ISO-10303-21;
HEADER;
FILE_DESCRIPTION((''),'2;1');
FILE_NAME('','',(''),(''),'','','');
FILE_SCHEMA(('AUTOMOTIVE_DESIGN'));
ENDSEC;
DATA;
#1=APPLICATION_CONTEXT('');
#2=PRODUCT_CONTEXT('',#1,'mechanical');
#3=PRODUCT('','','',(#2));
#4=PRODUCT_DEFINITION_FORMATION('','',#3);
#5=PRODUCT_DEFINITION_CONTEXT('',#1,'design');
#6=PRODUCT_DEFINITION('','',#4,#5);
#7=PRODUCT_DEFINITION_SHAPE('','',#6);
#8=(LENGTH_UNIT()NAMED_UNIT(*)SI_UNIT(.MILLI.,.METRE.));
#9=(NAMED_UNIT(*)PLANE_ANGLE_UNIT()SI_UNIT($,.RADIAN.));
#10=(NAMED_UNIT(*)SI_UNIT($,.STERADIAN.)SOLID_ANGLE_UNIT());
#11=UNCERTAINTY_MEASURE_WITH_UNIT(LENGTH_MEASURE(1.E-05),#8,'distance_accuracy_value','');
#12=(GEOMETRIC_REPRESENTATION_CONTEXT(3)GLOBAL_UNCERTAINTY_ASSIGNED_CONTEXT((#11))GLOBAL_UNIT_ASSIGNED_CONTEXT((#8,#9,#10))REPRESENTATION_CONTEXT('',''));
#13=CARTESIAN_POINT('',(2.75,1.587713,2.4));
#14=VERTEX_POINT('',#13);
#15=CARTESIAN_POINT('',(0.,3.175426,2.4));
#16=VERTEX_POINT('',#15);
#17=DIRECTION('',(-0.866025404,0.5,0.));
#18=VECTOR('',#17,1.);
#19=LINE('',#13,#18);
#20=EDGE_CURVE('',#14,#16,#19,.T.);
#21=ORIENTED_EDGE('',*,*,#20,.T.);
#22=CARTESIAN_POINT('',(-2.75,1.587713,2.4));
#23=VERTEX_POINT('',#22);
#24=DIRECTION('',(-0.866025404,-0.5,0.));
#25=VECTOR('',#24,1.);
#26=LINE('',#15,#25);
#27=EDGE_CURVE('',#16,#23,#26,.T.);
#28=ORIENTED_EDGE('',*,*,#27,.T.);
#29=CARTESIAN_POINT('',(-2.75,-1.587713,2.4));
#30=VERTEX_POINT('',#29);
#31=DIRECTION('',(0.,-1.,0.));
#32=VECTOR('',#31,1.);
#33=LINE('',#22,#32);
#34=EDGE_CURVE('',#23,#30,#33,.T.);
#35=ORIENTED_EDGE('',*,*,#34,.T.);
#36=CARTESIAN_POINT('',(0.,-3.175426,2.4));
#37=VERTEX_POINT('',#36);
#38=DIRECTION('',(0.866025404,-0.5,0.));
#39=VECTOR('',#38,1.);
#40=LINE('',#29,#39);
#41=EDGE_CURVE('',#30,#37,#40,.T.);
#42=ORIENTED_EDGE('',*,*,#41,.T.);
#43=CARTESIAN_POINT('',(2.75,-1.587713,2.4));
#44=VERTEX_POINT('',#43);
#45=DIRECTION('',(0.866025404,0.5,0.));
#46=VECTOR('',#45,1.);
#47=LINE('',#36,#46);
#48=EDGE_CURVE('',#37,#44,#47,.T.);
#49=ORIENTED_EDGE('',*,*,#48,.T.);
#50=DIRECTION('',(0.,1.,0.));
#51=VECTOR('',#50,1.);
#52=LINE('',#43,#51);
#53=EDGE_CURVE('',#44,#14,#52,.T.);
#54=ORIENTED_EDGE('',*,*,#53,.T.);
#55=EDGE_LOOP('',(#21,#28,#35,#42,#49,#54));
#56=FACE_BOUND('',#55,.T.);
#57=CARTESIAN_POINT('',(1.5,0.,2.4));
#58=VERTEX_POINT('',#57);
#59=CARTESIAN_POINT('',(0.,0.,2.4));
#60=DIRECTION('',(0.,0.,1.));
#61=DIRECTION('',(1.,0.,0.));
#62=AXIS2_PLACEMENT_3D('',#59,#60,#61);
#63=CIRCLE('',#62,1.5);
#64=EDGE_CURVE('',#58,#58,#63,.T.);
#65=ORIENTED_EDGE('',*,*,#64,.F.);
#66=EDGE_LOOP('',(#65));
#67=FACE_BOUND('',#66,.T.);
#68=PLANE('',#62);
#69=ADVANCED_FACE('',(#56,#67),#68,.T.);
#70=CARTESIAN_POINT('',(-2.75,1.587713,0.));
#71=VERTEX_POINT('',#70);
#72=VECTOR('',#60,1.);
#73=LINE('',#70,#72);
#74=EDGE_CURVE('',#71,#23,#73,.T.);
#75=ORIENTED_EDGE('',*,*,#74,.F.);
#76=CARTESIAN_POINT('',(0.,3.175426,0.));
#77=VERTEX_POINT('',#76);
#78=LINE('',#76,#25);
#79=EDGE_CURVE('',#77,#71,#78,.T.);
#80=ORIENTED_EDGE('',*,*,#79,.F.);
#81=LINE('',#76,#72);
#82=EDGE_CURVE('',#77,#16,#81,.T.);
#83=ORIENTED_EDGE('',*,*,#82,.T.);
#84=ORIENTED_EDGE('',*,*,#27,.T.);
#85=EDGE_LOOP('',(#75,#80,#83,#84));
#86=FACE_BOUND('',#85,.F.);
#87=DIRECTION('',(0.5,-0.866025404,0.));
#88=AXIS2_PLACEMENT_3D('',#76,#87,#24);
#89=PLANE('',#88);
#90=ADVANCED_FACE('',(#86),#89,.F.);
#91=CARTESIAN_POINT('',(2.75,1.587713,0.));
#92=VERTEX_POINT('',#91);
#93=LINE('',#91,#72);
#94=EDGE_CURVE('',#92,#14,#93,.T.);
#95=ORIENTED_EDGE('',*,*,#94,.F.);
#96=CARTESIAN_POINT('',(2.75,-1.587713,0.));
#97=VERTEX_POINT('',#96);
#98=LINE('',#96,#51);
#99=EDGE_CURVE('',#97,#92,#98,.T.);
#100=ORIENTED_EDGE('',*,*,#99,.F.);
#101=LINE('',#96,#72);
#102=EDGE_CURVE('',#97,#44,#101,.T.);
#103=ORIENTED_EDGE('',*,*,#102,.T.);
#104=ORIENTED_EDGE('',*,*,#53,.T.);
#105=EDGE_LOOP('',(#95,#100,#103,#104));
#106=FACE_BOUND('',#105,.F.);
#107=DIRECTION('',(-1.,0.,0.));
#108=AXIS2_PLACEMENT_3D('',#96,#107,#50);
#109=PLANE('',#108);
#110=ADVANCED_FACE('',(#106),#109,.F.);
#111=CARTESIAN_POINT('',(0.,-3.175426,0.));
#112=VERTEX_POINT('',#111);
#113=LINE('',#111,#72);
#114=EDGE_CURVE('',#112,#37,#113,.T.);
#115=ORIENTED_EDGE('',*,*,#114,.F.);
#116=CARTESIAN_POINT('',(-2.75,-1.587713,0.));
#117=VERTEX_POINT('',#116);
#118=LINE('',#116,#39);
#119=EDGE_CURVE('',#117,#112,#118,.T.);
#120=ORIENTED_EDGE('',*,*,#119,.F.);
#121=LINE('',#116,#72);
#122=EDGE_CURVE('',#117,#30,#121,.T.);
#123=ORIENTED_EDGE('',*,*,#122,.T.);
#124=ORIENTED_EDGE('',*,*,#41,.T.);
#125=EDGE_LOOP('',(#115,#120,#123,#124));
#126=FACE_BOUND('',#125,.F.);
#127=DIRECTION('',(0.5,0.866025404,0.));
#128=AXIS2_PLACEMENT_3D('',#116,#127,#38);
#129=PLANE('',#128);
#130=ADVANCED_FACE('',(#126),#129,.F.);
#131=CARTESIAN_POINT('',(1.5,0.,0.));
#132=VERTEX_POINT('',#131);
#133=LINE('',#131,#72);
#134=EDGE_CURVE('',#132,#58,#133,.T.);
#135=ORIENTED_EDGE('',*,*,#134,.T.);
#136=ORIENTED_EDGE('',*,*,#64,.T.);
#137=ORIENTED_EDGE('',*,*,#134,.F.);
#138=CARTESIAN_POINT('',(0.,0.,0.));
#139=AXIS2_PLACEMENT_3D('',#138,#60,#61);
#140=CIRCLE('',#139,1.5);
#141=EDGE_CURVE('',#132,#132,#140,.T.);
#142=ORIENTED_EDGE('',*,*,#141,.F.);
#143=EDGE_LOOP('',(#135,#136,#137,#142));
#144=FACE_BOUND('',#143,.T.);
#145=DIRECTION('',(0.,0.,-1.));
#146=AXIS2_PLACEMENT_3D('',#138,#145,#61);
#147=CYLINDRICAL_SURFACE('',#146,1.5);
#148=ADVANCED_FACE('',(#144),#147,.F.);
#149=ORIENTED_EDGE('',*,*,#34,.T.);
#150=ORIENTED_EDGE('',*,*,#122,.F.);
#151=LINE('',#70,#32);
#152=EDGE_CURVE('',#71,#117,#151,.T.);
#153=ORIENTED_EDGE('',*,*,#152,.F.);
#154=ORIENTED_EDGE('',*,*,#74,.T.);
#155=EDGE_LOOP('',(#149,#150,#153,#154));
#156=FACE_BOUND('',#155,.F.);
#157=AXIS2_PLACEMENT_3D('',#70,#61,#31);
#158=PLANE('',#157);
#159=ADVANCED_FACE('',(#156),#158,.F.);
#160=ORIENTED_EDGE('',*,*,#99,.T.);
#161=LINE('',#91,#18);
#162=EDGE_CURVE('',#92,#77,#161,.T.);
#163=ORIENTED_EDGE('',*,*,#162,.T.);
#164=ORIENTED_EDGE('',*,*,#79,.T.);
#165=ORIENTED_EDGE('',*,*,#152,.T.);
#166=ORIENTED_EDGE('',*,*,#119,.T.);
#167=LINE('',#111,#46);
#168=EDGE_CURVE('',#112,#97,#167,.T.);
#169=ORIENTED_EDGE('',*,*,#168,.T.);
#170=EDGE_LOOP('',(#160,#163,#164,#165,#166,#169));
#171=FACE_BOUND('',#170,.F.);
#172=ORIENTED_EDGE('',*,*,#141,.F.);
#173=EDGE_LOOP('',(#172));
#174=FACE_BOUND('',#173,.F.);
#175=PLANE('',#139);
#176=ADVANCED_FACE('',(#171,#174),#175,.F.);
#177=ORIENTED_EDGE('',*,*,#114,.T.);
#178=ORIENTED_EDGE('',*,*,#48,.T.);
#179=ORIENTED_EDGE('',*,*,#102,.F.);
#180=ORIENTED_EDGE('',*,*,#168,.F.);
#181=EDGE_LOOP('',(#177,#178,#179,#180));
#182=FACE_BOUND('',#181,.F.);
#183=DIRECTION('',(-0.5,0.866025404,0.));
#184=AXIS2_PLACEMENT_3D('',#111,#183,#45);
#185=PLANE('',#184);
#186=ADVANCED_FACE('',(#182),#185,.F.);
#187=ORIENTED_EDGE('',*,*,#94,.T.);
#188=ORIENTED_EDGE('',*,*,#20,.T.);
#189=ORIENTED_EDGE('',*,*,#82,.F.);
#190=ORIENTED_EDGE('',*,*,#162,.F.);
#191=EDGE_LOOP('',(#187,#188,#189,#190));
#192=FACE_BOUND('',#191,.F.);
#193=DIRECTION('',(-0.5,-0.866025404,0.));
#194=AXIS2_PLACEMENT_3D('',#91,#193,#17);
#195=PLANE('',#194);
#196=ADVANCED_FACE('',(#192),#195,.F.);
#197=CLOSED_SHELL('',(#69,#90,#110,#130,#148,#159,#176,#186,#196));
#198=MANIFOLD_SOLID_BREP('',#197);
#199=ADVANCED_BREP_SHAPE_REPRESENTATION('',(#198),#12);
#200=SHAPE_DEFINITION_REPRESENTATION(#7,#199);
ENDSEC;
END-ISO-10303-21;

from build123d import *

# Parameters (mm, degrees)
ESQUISSE1_R        = 1.5
BOSS_EXTRU_1_DEPTH = 2.4


with BuildPart() as part:
    # Esquisse1 → Boss.-Extru.1 (new body)
    with BuildSketch(Plane.XY):
        Polygon((0, -3.175426481), (2.75, -1.58771324), (2.75, 1.58771324), (0, 3.175426481), (-2.75, 1.58771324), (-2.75, -1.58771324), align=None)
        Circle(ESQUISSE1_R, mode=Mode.SUBTRACT)
    extrude(amount=BOSS_EXTRU_1_DEPTH)


solid = part.part
